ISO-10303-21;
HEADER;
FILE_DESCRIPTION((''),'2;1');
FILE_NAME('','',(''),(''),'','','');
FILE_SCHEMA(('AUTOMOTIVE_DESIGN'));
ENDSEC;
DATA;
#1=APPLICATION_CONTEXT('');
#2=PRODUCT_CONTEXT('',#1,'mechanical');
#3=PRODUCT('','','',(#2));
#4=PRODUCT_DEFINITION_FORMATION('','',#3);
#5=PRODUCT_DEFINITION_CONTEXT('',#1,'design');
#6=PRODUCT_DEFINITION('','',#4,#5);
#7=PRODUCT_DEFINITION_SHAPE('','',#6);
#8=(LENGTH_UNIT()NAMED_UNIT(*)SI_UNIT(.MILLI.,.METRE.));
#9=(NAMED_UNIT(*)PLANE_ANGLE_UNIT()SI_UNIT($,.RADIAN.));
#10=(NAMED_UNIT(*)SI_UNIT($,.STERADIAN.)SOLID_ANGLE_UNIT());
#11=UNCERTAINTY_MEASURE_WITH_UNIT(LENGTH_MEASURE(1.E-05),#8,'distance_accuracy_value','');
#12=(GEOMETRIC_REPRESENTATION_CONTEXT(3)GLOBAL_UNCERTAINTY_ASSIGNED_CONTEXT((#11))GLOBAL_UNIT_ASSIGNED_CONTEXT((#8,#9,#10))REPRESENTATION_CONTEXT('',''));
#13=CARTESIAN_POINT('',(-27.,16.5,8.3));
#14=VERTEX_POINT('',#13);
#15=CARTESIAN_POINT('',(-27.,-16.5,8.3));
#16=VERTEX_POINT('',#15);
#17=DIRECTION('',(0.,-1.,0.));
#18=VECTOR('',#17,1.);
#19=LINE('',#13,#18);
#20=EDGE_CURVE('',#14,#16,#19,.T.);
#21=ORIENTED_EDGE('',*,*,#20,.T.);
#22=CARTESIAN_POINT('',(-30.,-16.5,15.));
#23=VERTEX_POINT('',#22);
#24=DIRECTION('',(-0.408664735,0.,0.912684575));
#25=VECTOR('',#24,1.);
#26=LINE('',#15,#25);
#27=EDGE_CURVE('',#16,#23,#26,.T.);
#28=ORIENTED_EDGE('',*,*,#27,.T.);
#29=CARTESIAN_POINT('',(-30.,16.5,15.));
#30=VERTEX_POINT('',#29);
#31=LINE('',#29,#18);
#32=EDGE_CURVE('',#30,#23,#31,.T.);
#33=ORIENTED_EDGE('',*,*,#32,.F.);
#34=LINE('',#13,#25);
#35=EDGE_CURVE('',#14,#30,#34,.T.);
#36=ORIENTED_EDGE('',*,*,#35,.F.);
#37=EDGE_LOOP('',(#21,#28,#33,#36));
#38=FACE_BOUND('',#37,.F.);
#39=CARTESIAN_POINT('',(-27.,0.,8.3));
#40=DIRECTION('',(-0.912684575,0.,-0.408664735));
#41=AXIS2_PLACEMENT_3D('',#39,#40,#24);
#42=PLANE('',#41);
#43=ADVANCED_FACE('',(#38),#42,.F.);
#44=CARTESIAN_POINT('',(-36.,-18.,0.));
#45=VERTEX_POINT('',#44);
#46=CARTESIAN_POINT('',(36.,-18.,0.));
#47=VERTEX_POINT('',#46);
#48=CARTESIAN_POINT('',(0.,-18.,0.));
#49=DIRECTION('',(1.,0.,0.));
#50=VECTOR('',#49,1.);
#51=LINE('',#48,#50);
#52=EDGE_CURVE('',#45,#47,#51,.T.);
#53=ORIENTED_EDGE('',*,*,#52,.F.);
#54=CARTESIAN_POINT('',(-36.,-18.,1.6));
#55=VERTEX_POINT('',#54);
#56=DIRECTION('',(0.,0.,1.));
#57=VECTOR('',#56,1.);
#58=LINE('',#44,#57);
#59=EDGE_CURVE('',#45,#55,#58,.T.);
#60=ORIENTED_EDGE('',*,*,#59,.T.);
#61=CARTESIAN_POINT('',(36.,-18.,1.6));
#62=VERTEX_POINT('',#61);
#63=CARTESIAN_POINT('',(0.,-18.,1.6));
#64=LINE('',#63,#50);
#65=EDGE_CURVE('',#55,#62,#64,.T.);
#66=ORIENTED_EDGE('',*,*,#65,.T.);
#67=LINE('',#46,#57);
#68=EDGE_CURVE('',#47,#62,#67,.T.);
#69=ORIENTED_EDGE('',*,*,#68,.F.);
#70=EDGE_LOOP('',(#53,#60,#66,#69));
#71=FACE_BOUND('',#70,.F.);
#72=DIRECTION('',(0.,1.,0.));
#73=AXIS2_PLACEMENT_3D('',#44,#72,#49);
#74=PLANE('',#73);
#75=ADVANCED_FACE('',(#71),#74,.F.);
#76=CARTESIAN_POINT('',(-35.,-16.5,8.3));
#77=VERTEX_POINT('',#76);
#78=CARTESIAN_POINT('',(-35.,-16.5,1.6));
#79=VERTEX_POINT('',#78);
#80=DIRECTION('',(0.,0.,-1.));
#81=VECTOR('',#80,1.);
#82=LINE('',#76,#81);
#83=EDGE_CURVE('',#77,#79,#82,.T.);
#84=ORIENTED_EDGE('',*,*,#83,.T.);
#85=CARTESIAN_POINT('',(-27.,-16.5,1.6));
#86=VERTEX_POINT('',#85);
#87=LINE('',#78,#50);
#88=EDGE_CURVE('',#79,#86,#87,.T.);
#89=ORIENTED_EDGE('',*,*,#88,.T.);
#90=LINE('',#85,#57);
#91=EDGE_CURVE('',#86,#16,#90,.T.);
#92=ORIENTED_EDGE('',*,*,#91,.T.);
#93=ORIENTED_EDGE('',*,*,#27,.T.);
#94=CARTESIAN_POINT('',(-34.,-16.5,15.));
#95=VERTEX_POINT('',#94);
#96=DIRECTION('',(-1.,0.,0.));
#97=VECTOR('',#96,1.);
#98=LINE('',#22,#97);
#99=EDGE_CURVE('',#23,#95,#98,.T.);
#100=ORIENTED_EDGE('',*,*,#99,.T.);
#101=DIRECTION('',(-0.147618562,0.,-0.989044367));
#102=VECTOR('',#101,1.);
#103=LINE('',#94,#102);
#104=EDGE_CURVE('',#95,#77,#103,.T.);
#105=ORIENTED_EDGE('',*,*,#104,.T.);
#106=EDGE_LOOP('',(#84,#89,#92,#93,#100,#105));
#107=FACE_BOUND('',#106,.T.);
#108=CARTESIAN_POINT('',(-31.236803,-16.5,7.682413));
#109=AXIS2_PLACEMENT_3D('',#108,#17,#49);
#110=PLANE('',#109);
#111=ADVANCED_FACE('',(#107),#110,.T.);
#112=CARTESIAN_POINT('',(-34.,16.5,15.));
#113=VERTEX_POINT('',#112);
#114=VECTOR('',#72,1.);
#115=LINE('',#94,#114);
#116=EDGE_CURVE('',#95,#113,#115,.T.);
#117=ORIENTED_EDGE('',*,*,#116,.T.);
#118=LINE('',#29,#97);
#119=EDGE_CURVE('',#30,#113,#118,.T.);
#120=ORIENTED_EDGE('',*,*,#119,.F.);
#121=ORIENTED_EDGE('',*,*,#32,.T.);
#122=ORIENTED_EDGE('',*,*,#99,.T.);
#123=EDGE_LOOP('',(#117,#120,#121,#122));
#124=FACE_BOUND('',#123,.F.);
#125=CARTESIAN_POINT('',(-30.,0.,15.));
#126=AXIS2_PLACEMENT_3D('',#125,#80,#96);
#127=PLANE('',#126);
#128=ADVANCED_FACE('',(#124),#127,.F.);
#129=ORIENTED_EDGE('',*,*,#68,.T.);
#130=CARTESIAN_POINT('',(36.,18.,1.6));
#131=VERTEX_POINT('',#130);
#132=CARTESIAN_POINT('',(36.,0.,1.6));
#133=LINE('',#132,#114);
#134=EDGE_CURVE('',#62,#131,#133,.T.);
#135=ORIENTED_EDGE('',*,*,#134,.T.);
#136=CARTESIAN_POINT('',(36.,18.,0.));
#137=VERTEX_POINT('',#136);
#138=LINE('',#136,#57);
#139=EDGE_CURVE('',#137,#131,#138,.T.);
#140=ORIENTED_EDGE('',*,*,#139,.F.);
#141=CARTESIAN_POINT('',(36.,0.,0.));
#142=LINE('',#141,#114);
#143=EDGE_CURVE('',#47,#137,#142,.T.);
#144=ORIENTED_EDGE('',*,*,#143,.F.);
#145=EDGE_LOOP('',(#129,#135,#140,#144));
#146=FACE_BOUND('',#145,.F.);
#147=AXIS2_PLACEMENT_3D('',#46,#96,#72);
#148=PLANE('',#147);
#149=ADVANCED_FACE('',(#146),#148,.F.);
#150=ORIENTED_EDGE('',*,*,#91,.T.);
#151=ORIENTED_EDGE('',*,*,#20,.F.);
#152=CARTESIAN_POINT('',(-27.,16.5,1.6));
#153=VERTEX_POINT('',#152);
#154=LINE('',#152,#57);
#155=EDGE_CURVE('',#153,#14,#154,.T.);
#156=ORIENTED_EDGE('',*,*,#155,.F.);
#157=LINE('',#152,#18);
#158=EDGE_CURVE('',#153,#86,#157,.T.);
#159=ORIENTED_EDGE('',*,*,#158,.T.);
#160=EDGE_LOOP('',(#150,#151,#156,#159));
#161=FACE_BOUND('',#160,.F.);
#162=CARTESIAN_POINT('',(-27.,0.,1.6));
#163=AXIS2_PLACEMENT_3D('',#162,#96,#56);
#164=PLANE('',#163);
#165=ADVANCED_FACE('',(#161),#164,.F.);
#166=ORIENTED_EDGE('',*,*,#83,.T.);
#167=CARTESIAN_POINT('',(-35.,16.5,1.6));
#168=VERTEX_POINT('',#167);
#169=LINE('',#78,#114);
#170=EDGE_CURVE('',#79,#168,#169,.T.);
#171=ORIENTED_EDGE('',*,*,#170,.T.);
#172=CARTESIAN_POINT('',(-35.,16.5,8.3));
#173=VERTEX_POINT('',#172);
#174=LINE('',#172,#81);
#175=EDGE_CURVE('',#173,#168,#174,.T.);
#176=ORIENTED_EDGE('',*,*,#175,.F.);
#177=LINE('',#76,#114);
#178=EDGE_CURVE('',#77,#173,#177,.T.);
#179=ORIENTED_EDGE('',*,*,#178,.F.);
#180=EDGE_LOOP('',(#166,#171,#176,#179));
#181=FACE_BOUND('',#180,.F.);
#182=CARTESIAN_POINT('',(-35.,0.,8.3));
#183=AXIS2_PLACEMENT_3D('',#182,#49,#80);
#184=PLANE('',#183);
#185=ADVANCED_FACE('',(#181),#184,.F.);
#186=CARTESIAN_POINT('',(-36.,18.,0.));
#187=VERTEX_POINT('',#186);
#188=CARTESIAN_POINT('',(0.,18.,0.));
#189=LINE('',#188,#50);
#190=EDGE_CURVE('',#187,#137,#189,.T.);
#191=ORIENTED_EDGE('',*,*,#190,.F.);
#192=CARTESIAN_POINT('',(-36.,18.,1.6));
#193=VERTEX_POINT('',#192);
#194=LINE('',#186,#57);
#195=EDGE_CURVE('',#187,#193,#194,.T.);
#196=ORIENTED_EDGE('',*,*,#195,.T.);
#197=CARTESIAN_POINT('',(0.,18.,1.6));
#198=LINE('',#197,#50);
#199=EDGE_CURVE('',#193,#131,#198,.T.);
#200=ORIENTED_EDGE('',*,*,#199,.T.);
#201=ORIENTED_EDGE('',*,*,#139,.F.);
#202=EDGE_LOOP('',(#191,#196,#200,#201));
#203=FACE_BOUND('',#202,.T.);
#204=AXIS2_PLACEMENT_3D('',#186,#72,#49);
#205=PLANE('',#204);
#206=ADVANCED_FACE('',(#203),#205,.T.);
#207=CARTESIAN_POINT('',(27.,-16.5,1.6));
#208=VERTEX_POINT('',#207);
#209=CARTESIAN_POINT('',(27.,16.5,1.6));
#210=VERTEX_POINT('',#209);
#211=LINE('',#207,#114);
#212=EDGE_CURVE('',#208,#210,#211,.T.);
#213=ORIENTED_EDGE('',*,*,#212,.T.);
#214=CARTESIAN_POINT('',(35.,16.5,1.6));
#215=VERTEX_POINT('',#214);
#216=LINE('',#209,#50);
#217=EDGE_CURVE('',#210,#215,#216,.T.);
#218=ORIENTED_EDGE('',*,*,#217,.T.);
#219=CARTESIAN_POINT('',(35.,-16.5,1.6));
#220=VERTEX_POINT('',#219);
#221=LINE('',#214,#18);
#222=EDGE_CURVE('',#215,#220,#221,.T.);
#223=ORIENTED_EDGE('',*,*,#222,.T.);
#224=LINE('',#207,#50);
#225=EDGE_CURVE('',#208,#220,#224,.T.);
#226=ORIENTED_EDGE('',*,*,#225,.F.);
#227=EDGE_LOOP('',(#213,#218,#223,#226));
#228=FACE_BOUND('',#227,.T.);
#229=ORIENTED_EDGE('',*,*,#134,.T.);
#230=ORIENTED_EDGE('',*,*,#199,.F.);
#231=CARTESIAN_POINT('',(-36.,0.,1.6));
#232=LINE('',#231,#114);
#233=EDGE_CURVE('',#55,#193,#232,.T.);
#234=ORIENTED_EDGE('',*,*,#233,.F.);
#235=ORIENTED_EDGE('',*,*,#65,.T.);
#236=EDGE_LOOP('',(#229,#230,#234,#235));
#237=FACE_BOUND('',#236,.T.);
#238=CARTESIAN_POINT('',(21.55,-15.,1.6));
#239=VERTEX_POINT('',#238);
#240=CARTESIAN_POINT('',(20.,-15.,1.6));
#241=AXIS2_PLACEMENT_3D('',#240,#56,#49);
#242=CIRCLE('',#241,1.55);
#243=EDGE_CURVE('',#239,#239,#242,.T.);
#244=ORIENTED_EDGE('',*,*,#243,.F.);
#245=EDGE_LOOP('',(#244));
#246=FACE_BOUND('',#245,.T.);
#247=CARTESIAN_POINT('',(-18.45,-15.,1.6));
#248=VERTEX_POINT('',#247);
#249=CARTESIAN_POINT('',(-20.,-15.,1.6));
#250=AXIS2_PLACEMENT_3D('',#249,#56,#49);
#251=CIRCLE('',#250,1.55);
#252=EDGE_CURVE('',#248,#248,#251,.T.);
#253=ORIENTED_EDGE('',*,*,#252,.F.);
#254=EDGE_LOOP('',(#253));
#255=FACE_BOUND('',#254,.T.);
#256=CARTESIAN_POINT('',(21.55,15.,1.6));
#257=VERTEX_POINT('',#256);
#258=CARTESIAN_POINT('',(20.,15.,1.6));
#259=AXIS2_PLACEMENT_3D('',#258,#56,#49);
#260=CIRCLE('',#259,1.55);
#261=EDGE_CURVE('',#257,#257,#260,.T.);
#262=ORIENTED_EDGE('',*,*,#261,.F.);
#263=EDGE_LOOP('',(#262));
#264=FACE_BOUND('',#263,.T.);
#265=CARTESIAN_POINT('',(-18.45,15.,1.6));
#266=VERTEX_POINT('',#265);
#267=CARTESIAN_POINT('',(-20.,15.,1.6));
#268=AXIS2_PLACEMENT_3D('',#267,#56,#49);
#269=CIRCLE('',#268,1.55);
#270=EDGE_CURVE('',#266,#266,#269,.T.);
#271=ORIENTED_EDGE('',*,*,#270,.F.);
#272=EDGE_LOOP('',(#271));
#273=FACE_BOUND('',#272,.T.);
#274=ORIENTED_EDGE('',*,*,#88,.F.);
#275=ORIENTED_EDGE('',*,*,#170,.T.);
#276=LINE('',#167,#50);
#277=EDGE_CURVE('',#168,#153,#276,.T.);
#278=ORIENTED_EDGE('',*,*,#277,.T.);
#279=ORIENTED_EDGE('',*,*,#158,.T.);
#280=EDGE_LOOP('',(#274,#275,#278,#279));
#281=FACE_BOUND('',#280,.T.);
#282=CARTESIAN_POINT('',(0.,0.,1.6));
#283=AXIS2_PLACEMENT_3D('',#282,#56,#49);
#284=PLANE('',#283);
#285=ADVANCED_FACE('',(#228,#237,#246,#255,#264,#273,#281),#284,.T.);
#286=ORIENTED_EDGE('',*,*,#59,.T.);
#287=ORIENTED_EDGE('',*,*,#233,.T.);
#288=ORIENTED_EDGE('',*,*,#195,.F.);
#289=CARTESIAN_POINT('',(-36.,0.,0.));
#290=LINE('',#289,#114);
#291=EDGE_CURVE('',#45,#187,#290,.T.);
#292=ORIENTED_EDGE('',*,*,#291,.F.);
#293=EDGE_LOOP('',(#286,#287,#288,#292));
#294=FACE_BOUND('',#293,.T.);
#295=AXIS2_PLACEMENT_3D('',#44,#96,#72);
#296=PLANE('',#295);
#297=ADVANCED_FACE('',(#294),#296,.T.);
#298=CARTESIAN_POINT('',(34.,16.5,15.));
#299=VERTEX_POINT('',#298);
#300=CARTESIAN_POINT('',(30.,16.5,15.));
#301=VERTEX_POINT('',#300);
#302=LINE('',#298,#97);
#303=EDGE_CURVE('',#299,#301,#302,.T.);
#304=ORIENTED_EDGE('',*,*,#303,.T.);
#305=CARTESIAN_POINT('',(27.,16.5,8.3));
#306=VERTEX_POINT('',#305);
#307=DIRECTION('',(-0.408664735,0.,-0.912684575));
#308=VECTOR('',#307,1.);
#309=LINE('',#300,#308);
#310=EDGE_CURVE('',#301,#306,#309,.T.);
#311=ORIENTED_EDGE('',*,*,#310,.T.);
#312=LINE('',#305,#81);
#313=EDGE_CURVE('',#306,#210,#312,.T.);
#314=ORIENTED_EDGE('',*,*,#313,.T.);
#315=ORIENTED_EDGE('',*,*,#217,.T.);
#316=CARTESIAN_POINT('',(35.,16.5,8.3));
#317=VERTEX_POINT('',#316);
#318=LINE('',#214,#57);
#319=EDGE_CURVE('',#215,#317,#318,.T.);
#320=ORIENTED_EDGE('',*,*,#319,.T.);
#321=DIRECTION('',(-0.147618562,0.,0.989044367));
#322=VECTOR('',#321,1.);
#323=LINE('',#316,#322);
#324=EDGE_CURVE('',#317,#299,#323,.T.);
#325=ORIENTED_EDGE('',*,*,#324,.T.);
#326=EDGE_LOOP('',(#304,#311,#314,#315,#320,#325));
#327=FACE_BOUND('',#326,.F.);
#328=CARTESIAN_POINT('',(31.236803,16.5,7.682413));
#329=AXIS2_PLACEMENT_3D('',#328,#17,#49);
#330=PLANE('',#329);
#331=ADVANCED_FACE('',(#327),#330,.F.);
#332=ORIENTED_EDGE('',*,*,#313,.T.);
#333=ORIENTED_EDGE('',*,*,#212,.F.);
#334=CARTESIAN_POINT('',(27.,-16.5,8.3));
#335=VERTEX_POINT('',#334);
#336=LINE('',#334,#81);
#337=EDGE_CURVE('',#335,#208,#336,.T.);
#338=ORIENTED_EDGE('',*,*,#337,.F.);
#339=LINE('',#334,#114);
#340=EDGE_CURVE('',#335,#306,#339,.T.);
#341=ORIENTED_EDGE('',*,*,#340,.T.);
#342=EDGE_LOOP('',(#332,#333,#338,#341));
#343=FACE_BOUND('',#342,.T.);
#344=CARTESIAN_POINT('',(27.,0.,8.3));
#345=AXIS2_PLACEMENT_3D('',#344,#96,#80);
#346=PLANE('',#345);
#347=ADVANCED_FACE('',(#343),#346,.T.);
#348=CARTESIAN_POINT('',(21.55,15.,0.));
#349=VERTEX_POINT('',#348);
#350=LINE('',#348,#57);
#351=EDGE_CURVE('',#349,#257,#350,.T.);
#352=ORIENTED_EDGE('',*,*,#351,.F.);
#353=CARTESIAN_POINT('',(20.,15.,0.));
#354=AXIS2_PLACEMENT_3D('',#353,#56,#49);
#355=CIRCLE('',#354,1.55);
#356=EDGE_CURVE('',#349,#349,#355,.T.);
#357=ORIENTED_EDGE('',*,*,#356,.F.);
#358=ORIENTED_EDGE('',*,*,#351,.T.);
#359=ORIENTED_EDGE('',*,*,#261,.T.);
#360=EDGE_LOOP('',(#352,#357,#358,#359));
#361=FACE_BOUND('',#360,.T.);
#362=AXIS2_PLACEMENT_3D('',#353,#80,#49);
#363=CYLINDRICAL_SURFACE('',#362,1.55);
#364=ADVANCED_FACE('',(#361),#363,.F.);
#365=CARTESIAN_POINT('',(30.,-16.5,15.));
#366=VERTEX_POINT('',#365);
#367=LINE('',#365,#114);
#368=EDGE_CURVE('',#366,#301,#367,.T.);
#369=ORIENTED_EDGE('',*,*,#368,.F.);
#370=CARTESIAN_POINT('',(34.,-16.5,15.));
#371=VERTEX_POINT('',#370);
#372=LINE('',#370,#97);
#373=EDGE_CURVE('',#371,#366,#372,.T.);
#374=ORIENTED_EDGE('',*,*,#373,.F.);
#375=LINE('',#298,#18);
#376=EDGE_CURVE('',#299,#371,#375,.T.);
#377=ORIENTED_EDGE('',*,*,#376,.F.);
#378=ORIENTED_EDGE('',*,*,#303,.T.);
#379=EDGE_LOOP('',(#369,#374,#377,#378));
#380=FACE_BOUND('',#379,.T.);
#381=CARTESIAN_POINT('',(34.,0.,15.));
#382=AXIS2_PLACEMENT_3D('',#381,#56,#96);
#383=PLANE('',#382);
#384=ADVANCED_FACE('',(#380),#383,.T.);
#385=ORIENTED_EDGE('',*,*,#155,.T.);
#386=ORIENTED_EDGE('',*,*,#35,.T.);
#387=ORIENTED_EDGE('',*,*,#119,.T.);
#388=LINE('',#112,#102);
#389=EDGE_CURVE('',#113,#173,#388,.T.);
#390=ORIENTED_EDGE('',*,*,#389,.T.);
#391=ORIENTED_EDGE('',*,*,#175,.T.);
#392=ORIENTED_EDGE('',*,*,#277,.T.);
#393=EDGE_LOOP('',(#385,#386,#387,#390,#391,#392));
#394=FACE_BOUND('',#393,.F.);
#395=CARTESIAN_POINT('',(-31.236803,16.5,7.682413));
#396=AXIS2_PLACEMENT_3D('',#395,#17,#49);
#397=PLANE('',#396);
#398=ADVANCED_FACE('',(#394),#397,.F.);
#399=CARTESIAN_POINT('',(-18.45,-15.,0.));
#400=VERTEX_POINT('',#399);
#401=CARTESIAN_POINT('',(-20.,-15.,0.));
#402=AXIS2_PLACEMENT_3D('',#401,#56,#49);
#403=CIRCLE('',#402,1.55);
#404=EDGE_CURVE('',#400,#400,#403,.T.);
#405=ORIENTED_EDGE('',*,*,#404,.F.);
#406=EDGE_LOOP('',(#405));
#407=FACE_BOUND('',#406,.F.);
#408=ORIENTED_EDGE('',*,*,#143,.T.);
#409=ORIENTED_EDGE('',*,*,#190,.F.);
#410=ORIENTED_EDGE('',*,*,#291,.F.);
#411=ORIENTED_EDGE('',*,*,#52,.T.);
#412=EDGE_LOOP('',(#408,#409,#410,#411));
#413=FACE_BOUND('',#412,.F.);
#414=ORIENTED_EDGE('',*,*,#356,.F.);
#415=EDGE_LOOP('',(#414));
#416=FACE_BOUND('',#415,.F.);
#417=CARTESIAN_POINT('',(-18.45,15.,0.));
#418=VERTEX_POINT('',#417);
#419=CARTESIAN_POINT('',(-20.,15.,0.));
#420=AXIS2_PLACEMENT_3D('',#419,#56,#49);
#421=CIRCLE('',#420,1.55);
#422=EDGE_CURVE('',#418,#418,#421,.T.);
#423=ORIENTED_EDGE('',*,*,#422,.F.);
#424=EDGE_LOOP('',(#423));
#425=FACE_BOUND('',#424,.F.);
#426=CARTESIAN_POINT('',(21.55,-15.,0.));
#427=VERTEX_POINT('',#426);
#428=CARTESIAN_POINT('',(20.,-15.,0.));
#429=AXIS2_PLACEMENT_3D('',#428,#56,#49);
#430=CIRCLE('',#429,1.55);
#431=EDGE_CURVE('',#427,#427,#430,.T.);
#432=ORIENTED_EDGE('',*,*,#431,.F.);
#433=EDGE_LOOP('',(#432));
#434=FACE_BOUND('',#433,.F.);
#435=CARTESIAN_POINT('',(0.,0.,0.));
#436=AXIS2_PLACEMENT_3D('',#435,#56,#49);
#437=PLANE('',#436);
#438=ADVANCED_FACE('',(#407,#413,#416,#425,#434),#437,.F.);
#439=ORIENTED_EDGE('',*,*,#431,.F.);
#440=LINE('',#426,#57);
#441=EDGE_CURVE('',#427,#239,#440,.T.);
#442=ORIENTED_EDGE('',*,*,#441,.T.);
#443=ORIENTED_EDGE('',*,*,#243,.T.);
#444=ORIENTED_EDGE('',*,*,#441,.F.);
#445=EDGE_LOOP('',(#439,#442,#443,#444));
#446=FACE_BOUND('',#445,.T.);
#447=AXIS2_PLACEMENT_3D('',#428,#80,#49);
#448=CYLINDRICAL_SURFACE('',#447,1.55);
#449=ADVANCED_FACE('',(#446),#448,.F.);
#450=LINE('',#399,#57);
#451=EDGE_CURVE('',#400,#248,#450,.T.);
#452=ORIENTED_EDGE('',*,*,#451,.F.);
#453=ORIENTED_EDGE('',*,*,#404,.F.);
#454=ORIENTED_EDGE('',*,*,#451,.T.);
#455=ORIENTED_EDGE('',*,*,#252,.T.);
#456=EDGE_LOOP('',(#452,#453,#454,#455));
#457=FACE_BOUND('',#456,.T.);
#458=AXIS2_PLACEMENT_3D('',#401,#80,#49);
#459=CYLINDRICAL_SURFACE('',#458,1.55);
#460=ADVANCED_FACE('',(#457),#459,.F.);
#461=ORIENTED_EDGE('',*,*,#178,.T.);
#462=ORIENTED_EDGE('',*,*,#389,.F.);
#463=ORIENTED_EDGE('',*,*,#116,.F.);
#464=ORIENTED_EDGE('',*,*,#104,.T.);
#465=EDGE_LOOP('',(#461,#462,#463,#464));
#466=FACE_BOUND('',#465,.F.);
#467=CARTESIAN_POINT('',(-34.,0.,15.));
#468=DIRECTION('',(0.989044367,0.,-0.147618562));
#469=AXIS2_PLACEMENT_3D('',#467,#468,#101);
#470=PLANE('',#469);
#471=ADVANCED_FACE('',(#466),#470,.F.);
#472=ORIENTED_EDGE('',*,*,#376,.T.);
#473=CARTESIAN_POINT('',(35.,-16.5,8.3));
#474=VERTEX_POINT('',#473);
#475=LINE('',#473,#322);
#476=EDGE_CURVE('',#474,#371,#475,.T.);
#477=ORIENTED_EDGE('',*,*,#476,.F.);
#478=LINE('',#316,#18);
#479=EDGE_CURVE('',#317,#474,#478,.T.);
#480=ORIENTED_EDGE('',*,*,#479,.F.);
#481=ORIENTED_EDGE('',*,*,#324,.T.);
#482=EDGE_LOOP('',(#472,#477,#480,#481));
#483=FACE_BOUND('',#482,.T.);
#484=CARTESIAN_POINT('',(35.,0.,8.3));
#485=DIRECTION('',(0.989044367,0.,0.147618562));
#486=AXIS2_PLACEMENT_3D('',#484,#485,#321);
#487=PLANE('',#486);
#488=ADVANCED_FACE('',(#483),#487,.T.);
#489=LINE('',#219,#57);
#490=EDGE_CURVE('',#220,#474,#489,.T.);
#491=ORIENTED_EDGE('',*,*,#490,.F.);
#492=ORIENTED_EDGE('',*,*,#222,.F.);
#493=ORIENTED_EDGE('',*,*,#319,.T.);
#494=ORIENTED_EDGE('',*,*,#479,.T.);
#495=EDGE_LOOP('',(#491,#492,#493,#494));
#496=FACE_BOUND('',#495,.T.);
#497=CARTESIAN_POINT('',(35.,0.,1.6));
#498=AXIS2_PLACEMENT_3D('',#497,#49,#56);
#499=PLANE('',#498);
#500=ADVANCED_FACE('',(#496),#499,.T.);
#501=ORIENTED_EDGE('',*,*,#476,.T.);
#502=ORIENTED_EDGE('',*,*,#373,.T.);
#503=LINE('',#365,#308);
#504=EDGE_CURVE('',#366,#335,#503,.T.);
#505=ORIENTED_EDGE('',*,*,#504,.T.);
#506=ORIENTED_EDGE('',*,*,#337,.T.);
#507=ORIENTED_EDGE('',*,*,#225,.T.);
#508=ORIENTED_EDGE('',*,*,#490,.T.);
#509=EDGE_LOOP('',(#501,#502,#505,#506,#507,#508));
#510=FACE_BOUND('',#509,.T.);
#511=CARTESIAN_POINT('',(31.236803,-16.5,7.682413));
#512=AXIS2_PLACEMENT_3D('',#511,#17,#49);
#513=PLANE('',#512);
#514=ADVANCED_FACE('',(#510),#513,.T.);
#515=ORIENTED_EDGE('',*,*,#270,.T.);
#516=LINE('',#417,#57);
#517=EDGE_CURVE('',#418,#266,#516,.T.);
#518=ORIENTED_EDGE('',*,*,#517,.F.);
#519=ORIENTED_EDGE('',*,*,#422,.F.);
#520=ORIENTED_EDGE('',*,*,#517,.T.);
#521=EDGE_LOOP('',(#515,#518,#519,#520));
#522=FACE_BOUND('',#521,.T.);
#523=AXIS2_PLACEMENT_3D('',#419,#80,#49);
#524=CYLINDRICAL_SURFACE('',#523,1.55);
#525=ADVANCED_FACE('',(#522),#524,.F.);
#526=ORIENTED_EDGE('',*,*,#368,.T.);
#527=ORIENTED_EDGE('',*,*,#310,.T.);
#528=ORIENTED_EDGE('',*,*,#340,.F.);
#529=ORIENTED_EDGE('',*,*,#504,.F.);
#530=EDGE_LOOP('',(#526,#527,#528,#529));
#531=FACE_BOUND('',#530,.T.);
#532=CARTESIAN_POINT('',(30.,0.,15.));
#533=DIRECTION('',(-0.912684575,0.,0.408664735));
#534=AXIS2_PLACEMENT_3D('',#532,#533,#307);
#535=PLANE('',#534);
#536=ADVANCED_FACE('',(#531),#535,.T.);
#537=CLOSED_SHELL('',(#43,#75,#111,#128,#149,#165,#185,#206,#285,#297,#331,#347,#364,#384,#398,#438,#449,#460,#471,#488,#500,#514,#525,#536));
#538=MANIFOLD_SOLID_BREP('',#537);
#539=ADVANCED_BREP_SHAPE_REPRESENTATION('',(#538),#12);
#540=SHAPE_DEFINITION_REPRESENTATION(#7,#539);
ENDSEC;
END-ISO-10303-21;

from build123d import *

# Parameters (mm, degrees)
F0_W     = 72
F0_H     = 36
F0_R     = 1.55
F1_DEPTH = 1.6
F3_DEPTH = 16.5


with BuildPart() as f1:
    # F0 (on Top) → F1 (new body)
    with BuildSketch(Plane.XY):
        Rectangle(F0_W, F0_H)
        with Locations((-20, -15)):
            Circle(F0_R, mode=Mode.SUBTRACT)
        with Locations((20, -15)):
            Circle(F0_R, mode=Mode.SUBTRACT)
        with Locations((-20, 15)):
            Circle(F0_R, mode=Mode.SUBTRACT)
        with Locations((20, 15)):
            Circle(F0_R, mode=Mode.SUBTRACT)
    extrude(amount=F1_DEPTH)

    # F2 (on Front) → F3 (join, symmetric)
    with BuildSketch(Plane.XZ):
        Polygon((-35, 1.6), (-27, 1.6), (-27, 8.3), (-30, 15), (-34, 15), (-35, 8.3), align=None)
        Polygon((27, 1.6), (35, 1.6), (35, 8.3), (34, 15), (30, 15), (27, 8.3), align=None)
    extrude(amount=F3_DEPTH, both=True)


solid = f1.part
